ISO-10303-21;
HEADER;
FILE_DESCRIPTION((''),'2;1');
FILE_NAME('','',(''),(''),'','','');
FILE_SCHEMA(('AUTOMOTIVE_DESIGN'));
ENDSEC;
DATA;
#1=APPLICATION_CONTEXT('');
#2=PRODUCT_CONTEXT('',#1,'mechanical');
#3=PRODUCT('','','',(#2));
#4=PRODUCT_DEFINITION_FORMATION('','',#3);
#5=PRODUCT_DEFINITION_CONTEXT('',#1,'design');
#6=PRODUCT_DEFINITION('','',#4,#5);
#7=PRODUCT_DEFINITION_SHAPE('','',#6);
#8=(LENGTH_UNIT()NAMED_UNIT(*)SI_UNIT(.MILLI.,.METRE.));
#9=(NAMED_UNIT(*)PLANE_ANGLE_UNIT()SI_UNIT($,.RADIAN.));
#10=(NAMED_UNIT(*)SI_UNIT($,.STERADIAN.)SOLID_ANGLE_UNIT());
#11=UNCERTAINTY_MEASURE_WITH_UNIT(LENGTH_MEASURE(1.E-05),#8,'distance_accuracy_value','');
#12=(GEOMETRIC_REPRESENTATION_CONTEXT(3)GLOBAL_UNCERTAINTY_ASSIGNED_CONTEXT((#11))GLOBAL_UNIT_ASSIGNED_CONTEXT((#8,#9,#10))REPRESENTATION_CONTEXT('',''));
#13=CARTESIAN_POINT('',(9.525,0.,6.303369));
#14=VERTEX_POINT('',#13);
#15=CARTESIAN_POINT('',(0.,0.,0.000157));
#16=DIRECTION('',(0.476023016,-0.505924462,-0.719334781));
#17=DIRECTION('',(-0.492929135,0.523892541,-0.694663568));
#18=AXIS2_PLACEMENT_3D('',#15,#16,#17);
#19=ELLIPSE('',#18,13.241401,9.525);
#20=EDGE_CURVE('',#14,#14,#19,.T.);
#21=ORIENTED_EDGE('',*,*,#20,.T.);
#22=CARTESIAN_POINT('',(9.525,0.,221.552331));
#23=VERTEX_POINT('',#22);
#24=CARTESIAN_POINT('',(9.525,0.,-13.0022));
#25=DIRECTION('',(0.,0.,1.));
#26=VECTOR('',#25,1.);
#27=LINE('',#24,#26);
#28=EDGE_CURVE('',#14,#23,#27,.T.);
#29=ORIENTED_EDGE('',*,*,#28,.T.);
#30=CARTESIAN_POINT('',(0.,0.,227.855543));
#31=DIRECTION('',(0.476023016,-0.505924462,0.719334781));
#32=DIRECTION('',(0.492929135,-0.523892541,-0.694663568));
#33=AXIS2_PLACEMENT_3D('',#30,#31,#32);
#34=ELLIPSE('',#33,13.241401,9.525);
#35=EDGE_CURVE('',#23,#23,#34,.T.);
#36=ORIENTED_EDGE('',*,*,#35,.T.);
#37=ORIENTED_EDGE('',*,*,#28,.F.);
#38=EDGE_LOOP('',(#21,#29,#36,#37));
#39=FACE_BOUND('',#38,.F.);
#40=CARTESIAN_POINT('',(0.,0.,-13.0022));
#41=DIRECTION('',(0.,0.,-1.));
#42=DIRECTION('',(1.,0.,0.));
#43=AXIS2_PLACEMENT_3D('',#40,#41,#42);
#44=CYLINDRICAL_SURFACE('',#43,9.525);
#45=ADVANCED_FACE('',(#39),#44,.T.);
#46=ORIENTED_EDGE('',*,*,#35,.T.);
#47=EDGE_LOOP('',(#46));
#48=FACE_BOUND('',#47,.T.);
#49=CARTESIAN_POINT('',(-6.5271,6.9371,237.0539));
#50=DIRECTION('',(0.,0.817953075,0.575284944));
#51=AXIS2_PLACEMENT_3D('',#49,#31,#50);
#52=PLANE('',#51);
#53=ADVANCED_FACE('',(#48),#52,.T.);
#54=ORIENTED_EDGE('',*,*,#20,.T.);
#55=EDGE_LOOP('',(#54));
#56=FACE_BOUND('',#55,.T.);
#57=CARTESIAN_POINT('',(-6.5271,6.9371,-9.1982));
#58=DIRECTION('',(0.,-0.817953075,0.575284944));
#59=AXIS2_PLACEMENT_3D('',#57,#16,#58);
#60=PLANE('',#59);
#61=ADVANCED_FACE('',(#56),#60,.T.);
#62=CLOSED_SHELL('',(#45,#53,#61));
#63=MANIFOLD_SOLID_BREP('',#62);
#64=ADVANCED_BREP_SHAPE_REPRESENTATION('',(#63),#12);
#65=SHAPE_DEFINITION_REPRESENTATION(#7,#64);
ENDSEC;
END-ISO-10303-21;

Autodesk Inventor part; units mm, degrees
ref_plane "Start Plane" through (0, 0, -13.0022) normal (0, 0, 1) x (1, 0, 0)
ref_plane "End Plane" through (0, 0, 240.8579) normal (0, 0, 1) x (1, 0, 0)
sketch "Sketch" plane through (0, 0, 0) normal (0, 0, 1) x (1, 0, 0)
  circle A0 centre (0, 0) radius 9.525
  dimension "d0" = 19.05
extrude "Body" add sketch "Sketch" along normal up to surface (253.86 mm away) from surface at -13.0022
sketch "Sketch2" plane through (0, 0, 0) normal (0, 0, 1) x (1, 0, 0)
  line L0 (0, 0) -> (10, 0)
ref_plane "Work Plane3" through (0, 0, 0) normal (0, -1, 0) x (1, 0, 0)
ref_plane "Work Plane4" through (-6.5271, 6.9371, 237.0539) normal (0.476, -0.5059, 0.7193) x (0.8682, 0.1401, -0.476)
split "Split1" plane through (-6.5271, 6.9371, 237.0539) removes the side toward (0.476, -0.5059, 0.7193)
ref_plane "Work Plane5" through (-6.5271, 6.9371, -9.1982) normal (0.476, -0.5059, -0.7193) x (0.1926, 0.8581, -0.476)
split "Split2" plane through (-6.5271, 6.9371, -9.1982) removes the side toward (0.476, -0.5059, -0.7193)
sketch "Sketch3" plane through (0, 0, 0) normal (0, -1, 0) x (1, 0, 0)
  line L0 (-2, -13.0022) -> (12, -13.0022) projected
  line L1 (-2, 240.8579) -> (12, 240.8579) projected
  dimension "d7" = 253.86
equation "\"d0\" = Diam"
equation "\"d1\" = G_L"
equation "\"Diam\" = 19.05"
equation "\"G_L\" = 246.25206"
equation "\"G_OFFSET_START\" = 13.00217"
equation "\"G_OFFSET_END\" = 13.00217"
equation "\"d4\" = -G_OFFSET_START"
equation "\"d5\" = G_OFFSET_END + B_L"
equation "\"B_L\" = 227.85569"
properties part number "ANSI/AISC Rolled Steel - 3/4-9.695, RB" material "Steel, Mild"
